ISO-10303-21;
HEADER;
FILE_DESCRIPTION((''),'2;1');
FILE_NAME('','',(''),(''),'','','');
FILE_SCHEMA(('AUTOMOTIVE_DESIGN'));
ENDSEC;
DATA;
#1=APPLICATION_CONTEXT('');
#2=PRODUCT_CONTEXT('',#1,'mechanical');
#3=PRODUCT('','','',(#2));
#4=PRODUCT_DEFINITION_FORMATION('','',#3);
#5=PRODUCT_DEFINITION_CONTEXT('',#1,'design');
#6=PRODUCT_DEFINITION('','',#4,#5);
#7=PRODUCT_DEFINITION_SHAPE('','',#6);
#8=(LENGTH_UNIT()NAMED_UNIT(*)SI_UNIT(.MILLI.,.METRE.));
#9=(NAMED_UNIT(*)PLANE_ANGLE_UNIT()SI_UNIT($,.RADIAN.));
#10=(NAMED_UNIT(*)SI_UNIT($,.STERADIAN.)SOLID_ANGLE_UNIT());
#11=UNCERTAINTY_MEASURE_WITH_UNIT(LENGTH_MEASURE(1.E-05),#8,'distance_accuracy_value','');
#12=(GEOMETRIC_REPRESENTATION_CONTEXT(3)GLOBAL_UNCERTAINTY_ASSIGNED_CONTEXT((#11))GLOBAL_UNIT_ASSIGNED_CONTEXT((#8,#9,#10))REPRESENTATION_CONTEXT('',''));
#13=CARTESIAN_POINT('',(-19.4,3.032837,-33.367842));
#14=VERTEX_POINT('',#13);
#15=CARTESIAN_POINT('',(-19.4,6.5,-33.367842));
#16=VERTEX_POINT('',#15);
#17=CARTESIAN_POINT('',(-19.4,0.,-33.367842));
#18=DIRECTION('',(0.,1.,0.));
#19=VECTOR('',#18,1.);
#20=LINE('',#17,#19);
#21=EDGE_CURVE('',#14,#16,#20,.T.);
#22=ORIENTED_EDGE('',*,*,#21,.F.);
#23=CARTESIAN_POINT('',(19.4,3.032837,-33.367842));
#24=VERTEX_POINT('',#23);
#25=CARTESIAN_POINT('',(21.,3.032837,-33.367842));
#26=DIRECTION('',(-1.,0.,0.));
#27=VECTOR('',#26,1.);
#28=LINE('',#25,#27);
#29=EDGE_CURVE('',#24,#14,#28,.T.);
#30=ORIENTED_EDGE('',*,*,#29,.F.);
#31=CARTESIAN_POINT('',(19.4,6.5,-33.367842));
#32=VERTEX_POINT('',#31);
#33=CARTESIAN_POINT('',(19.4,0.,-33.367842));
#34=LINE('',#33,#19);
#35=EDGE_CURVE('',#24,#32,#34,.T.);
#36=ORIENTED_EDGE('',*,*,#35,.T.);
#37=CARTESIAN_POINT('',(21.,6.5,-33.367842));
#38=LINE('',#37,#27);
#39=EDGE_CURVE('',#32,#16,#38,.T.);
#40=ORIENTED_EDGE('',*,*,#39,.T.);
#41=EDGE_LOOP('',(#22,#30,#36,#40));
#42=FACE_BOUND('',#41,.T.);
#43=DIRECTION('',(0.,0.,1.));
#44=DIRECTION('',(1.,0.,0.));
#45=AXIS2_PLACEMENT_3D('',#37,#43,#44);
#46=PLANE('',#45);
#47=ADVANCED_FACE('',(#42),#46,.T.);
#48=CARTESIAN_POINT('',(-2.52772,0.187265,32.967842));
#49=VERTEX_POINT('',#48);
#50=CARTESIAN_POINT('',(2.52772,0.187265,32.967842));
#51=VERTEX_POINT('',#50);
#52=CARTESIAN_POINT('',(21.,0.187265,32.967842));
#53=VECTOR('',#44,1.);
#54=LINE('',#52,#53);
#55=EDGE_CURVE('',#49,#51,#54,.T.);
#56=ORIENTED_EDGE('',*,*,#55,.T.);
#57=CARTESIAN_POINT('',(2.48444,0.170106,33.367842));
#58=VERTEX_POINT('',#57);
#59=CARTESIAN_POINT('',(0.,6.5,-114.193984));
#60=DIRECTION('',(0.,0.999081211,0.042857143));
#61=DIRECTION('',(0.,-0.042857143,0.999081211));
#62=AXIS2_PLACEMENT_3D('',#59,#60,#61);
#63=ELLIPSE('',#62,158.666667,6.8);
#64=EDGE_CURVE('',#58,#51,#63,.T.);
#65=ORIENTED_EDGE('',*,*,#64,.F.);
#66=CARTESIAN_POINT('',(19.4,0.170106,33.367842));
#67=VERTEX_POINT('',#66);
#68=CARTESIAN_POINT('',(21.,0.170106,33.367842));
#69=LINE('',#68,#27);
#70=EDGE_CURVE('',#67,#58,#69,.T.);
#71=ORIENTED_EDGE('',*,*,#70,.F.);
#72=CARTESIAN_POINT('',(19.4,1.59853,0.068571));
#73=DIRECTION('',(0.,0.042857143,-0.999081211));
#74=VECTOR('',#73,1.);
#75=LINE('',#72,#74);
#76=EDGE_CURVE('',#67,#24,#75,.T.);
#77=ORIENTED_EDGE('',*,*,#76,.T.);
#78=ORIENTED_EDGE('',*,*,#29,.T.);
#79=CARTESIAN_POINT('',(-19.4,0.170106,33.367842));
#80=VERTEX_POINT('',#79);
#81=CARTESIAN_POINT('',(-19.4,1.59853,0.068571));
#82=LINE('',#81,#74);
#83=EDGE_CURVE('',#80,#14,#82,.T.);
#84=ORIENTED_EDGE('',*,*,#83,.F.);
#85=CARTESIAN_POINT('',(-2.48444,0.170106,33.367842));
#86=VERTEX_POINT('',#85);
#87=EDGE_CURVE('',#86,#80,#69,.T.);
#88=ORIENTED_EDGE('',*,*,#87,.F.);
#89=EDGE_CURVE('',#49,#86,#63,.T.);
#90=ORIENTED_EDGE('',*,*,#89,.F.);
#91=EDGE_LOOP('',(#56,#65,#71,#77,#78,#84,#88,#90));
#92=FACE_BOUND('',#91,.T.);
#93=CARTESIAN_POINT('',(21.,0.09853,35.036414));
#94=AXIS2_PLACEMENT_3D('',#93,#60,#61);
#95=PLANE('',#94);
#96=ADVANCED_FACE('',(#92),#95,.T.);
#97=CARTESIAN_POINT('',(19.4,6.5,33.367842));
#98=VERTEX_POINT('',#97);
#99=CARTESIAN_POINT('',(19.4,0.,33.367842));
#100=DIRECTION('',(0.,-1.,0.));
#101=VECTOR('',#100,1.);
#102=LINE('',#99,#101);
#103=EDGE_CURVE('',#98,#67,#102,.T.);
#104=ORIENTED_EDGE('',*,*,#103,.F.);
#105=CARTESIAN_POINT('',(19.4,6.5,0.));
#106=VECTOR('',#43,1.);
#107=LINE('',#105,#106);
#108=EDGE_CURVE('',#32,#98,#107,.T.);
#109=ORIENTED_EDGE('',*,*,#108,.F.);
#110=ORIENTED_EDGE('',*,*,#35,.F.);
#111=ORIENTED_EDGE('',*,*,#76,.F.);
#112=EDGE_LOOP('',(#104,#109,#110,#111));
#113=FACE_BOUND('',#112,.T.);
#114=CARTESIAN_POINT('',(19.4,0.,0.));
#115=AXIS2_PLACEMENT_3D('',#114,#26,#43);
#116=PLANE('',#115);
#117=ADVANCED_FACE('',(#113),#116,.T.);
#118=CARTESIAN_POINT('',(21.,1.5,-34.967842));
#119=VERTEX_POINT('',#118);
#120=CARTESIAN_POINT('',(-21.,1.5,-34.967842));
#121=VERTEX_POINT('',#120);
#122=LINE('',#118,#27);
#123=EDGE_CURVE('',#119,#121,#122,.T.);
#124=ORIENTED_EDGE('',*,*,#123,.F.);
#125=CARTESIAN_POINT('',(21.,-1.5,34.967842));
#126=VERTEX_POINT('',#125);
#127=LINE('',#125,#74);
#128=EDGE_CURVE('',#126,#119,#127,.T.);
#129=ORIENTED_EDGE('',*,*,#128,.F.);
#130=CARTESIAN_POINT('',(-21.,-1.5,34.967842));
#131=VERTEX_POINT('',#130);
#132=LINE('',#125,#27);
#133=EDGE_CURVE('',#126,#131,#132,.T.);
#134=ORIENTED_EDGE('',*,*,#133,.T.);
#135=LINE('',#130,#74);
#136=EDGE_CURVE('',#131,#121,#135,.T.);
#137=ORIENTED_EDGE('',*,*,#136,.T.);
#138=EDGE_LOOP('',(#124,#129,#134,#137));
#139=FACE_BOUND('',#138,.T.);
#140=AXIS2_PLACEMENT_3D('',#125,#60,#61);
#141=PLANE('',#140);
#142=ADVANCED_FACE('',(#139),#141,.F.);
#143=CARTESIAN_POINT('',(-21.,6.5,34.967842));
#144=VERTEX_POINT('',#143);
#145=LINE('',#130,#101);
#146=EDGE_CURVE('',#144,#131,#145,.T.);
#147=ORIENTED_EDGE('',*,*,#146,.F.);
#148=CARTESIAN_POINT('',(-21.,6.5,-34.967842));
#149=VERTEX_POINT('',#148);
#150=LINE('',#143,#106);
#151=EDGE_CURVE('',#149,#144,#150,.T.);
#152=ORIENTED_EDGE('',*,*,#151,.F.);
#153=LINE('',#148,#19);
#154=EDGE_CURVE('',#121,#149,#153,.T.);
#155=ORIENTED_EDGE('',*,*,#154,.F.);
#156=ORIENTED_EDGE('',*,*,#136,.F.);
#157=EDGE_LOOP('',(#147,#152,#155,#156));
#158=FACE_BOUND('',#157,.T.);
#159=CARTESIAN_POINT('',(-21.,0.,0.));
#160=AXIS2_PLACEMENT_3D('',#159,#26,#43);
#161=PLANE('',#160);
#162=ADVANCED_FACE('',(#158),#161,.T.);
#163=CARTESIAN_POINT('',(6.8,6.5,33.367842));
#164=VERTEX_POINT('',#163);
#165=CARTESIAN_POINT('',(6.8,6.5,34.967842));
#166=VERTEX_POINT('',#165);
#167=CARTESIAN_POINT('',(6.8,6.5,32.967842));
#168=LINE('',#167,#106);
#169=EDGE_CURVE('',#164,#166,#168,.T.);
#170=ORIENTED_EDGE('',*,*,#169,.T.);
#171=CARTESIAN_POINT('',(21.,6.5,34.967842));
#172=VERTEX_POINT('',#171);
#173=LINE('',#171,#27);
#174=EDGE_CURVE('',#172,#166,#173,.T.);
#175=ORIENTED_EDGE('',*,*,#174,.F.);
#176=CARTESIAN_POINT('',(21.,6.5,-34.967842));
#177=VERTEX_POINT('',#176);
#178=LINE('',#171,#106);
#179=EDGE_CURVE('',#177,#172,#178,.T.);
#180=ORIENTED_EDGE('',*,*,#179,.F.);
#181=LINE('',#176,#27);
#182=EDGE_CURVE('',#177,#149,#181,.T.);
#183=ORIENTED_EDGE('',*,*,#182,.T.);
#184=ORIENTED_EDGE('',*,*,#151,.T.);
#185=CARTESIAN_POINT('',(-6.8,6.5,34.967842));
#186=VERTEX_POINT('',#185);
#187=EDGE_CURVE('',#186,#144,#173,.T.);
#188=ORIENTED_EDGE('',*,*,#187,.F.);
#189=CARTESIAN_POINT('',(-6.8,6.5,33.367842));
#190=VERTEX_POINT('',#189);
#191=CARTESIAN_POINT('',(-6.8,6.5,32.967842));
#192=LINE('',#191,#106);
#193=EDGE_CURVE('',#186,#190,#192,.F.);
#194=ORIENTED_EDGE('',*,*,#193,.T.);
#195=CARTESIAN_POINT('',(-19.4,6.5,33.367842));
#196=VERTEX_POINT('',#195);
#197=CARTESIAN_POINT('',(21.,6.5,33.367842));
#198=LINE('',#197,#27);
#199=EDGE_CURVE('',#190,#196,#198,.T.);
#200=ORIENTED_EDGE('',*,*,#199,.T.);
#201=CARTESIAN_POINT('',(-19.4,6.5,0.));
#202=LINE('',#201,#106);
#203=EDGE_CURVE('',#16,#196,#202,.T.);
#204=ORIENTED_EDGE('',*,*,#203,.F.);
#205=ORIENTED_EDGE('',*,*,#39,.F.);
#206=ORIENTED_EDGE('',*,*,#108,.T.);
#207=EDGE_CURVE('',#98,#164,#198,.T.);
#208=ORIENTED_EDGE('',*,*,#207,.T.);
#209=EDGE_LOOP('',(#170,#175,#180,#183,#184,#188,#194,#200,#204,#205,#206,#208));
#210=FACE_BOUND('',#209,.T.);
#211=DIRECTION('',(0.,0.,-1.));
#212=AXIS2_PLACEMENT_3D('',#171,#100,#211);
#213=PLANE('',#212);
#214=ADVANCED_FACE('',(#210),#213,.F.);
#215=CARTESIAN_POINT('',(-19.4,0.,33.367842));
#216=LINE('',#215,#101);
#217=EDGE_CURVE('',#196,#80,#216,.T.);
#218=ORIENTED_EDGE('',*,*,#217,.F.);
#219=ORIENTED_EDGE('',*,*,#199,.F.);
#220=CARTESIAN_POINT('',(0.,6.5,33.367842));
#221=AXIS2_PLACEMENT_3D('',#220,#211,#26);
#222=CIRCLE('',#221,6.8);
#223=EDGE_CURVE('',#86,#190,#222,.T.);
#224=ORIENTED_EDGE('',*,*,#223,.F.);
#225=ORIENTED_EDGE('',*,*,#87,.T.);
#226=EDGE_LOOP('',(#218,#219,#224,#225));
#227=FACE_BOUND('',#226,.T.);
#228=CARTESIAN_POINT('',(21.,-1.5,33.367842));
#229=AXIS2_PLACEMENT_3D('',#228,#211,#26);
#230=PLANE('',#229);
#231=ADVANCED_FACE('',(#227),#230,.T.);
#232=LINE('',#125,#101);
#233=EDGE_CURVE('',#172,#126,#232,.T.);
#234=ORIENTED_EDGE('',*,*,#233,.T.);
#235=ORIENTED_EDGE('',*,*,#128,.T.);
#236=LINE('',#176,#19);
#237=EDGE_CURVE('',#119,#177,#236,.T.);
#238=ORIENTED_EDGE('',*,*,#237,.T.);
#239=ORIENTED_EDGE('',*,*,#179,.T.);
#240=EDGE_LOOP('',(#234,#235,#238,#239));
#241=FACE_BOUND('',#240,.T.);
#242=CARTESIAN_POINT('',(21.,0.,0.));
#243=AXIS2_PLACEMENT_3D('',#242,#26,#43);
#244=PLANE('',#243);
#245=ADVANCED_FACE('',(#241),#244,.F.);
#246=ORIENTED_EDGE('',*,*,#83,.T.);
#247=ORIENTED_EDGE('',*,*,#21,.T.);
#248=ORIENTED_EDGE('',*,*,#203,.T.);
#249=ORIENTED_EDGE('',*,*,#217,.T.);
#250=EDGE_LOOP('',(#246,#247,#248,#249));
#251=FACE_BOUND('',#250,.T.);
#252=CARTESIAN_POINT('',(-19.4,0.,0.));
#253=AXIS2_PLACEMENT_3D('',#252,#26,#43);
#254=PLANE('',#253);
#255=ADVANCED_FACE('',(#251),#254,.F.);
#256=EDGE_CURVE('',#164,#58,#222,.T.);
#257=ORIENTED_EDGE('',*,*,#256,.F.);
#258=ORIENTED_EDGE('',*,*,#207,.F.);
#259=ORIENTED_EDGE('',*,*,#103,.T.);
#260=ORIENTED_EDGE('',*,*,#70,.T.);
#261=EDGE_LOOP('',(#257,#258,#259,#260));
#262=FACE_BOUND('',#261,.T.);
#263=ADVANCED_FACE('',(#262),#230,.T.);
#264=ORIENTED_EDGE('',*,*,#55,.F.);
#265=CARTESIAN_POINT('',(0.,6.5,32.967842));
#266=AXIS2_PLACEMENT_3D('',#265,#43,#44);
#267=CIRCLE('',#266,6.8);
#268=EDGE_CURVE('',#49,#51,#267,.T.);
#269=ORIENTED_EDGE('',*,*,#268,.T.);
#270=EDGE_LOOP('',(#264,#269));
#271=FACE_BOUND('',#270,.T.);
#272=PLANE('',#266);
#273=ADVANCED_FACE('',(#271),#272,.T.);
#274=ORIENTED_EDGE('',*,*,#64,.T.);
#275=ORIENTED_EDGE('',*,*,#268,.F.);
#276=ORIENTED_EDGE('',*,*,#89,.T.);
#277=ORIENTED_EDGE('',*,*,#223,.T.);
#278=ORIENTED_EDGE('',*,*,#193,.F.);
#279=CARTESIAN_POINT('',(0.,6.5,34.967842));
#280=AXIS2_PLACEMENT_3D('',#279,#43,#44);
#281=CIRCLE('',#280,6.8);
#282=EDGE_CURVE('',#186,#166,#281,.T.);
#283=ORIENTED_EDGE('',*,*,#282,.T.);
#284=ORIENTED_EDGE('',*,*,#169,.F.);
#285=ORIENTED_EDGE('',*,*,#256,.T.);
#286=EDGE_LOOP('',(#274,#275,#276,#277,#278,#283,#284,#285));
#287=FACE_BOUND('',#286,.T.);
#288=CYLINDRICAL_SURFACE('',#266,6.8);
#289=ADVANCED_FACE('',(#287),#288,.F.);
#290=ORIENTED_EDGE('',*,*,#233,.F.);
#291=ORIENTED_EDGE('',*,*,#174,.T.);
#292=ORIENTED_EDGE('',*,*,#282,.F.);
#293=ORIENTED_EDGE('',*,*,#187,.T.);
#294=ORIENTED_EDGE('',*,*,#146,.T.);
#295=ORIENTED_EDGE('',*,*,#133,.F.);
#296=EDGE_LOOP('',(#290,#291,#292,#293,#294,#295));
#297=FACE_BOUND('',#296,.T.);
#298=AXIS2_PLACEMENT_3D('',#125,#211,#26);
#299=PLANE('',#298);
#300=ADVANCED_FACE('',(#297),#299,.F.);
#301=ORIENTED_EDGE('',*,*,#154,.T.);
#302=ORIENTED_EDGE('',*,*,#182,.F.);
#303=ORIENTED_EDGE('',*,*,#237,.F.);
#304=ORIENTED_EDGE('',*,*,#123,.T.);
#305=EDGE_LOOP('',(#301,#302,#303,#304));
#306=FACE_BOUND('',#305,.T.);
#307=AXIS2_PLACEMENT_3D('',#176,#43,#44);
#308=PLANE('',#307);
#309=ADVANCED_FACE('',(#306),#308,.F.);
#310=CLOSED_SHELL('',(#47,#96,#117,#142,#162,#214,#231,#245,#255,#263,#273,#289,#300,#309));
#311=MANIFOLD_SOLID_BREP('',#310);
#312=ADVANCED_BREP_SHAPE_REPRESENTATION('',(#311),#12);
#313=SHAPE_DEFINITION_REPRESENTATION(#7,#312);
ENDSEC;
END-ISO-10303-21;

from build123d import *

# Parameters (mm, degrees)
BOSS_EXTRUDE1_DEPTH = 21
SHELL1_T            = -1.6
SKETCH2_R           = 6.8
CUT_EXTRUDE1_DEPTH  = 2


with BuildPart() as part:
    # Sketch1 → Boss-Extrude1 (new, symmetric)
    with BuildSketch(Plane(origin=(0, 0, 0), x_dir=(0, 0, -1), z_dir=(1, 0, 0))):
        Polygon((-34.96784237, -1.5), (34.96784237, 1.5), (34.96784237, 6.5), (-34.96784237, 6.5), align=None)
    extrude(amount=BOSS_EXTRUDE1_DEPTH, both=True)

    # Shell1
    shell1_openings = [part.faces().sort_by_distance(p)[0] for p in [
        (0, 6.5, 0),
    ]]
    offset(amount=SHELL1_T, openings=shell1_openings, kind=Kind.INTERSECTION)

    # Sketch2 → Cut-Extrude1 (cut)
    with BuildSketch(Plane.XY.offset(34.96784237)):
        with Locations((0, 6.5)):
            Circle(SKETCH2_R)
    extrude(amount=-CUT_EXTRUDE1_DEPTH, mode=Mode.SUBTRACT)


solid = part.part
